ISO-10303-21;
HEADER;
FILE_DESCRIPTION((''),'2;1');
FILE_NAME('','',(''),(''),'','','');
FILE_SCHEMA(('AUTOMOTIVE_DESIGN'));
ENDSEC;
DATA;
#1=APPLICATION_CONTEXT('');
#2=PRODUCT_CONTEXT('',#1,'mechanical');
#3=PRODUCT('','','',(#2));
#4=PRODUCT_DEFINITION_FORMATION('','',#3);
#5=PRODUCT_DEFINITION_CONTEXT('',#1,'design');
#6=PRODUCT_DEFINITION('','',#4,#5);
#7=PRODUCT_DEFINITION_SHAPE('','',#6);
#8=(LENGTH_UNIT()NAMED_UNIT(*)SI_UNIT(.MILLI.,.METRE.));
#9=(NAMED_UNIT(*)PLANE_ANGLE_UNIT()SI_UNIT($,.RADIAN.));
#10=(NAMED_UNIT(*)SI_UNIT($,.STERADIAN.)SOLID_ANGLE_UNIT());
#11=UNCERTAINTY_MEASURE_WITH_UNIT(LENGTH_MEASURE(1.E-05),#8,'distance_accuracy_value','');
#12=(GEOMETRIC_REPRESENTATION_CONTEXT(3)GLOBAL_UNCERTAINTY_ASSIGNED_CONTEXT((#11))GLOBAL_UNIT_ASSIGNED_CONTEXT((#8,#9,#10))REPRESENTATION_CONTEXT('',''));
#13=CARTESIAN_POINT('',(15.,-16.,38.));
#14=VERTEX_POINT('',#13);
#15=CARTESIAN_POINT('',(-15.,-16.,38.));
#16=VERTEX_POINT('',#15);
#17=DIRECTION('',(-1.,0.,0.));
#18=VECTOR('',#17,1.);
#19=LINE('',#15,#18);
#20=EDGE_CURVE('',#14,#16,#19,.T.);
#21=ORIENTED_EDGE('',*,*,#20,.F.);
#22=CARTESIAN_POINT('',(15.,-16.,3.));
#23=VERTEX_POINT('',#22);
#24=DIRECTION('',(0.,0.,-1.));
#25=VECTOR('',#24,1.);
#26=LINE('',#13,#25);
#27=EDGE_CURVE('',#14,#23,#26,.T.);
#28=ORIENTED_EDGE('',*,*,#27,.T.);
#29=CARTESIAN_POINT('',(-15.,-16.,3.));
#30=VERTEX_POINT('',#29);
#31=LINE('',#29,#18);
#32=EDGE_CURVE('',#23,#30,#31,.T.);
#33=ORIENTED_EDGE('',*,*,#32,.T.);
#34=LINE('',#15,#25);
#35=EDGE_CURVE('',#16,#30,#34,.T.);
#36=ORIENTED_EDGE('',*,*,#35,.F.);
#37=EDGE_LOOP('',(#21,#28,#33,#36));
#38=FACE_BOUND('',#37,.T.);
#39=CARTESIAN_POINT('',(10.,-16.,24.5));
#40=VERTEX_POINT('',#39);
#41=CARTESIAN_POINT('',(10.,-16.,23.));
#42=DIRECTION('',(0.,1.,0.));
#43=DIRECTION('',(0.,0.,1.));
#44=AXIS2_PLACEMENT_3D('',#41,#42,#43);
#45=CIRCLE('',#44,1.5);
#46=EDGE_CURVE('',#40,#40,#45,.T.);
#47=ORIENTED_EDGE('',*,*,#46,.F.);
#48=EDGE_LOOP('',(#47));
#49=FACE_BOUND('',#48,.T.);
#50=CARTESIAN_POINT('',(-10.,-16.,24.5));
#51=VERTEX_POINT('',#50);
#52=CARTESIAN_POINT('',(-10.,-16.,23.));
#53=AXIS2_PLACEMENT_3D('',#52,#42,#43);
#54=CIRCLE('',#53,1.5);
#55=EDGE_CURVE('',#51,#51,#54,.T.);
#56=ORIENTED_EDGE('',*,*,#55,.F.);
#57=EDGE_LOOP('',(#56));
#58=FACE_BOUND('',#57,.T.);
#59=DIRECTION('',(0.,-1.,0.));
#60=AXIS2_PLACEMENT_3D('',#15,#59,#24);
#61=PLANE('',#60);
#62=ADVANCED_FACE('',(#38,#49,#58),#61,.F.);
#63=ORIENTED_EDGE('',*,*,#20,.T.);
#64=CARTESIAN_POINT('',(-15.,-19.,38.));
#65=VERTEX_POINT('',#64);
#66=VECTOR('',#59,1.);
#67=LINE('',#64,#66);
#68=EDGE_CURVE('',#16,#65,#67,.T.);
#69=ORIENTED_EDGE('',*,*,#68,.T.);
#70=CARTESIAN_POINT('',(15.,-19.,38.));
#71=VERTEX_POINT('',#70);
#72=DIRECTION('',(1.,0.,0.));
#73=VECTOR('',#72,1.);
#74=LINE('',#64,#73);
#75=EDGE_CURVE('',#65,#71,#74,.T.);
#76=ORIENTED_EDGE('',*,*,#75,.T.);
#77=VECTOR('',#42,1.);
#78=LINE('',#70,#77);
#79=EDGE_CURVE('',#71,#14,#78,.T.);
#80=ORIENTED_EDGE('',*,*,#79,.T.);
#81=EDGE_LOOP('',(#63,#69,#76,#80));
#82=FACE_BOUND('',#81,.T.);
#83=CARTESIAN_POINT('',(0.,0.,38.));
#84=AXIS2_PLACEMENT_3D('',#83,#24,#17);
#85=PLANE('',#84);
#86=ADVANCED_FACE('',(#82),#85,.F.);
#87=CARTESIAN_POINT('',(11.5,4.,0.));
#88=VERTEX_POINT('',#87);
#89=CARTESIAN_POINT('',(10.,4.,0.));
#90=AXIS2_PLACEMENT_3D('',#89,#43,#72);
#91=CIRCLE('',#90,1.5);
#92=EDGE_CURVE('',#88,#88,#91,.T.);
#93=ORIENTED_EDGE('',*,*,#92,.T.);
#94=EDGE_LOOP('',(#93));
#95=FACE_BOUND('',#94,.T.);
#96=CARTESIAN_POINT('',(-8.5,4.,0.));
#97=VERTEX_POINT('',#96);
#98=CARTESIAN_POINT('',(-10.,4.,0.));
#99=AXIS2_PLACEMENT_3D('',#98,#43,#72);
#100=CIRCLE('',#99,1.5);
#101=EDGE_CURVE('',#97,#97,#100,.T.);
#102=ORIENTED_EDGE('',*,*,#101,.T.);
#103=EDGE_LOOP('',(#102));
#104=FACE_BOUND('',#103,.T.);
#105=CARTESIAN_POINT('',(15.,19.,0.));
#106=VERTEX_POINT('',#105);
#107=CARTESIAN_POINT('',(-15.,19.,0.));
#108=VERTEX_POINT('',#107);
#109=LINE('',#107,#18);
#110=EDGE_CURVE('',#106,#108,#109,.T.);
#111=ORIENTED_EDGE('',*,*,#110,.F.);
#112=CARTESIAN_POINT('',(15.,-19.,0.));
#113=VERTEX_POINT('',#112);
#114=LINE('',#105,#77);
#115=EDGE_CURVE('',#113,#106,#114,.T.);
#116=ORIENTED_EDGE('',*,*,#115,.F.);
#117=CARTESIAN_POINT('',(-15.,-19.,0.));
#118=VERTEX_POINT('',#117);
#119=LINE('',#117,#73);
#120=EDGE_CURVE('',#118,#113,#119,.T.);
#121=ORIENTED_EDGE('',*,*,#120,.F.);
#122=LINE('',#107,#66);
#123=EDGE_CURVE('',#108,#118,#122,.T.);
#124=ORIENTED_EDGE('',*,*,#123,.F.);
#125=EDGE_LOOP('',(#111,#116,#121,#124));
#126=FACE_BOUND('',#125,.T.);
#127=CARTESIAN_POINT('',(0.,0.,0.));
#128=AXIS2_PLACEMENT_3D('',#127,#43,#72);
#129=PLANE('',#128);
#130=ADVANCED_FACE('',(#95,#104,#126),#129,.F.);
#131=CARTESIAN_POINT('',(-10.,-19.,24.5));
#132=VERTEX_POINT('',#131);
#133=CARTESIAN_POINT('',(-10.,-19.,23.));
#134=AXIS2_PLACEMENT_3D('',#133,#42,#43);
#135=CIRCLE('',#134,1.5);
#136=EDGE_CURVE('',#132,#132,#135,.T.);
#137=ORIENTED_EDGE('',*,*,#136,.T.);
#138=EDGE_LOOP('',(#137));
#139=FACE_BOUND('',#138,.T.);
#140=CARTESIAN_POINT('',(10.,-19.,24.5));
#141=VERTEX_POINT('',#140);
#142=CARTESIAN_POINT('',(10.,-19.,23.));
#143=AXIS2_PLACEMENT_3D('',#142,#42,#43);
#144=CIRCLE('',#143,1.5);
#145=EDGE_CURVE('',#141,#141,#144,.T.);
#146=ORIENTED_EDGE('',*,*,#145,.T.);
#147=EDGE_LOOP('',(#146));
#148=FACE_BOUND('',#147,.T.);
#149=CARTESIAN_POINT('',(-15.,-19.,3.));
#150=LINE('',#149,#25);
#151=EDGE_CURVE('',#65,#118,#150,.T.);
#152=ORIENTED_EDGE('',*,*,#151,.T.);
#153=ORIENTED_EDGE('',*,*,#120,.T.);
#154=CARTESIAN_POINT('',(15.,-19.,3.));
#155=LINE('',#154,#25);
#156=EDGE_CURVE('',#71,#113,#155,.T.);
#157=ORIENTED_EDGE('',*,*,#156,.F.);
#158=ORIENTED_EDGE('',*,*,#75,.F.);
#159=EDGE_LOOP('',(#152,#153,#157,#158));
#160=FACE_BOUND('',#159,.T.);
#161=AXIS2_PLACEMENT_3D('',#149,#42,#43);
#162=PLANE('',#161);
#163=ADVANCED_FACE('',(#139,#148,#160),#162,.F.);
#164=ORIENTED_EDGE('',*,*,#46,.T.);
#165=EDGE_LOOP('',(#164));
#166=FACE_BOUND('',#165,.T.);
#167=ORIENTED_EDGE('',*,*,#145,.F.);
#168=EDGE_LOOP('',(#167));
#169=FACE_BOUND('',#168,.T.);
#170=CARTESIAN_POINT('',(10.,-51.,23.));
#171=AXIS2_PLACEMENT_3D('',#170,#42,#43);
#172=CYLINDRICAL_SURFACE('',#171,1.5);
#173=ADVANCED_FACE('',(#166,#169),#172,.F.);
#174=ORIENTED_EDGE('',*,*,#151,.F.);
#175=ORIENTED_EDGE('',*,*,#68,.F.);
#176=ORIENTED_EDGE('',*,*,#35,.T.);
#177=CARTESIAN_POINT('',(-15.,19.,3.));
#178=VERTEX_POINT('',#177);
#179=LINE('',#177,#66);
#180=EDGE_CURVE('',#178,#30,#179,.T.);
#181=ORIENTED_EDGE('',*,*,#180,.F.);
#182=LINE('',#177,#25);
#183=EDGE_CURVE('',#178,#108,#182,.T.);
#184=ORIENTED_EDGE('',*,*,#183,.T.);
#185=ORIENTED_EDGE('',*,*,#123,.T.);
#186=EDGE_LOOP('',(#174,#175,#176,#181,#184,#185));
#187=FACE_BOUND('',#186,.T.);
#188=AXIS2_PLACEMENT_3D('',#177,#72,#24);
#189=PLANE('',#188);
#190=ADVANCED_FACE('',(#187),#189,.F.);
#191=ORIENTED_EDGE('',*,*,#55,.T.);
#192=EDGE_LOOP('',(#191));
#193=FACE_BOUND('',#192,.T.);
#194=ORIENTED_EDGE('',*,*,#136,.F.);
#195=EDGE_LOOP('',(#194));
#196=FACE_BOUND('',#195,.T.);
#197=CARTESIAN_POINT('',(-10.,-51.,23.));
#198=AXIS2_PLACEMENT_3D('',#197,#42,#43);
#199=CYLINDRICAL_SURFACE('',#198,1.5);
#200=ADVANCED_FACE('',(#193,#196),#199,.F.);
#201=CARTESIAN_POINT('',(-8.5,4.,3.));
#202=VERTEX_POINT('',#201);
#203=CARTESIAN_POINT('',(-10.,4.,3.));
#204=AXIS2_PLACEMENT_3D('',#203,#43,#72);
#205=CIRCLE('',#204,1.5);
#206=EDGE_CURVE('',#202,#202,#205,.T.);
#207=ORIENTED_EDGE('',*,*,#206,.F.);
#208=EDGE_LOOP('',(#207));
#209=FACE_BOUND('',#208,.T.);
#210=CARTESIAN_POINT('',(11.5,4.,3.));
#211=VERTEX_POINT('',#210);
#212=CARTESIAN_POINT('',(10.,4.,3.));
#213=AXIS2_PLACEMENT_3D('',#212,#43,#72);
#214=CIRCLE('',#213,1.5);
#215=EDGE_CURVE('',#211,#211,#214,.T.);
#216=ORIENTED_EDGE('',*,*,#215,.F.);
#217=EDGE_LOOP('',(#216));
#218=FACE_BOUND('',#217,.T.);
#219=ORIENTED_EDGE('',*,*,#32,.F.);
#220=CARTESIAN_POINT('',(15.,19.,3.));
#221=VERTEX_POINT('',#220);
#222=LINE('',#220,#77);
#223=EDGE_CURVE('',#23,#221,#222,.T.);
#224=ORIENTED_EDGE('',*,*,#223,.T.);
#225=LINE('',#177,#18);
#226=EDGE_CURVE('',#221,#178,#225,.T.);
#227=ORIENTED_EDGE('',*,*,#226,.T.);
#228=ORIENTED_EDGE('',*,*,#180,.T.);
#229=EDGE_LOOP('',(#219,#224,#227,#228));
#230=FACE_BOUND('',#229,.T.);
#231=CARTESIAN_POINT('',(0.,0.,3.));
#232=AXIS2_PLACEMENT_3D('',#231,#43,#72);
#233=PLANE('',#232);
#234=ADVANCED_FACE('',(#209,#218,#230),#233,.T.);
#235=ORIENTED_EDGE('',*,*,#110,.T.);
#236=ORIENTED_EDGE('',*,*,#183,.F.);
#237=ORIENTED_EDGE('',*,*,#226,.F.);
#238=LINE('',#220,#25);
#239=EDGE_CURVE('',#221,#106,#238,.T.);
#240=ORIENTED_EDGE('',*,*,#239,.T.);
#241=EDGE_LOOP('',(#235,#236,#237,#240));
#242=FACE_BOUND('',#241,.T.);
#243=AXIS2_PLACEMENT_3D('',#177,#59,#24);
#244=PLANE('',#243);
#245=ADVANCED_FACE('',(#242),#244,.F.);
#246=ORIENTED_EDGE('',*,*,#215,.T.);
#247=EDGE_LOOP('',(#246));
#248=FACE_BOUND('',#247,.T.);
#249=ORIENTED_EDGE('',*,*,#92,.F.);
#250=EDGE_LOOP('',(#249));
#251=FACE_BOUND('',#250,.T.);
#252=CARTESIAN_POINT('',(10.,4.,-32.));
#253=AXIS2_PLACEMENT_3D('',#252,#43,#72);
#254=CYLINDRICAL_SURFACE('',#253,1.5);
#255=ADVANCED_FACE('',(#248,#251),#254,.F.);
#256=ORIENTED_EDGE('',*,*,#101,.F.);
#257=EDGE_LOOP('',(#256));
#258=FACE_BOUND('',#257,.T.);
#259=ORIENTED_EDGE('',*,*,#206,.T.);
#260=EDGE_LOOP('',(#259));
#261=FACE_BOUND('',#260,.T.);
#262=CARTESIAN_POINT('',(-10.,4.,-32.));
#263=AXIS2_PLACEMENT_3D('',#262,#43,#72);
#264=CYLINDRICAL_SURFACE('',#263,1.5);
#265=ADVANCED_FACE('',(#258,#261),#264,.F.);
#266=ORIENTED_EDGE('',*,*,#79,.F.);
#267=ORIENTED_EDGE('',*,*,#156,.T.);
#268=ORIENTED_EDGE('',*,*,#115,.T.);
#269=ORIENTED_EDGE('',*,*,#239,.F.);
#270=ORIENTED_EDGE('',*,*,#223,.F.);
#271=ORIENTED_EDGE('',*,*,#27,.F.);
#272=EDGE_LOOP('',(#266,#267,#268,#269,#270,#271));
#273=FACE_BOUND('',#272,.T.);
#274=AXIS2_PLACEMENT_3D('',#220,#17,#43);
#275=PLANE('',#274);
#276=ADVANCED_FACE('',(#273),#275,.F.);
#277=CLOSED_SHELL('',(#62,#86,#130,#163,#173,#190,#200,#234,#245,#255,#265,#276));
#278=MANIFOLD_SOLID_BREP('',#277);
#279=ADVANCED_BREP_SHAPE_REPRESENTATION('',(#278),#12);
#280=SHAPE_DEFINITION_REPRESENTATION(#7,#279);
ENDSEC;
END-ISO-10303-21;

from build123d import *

# Parameters (mm, degrees)
SKETCH_1_W          = 30
SKETCH_1_H          = 38
EXTRUDE_1_DEPTH     = 3
SKETCH_2_W          = 30
SKETCH_2_H          = 3
EXTRUDE_2_DEPTH     = 35
SKETCH_3_R          = 1.5
CUT_EXTRUDE_1_DEPTH = 35
SKETCH_4_R          = 1.5
CUT_EXTRUDE_2_DEPTH = 35


with BuildPart() as part:
    # 草图1 → 凸台-拉伸1 (new body)
    with BuildSketch(Plane.XY):
        Rectangle(SKETCH_1_W, SKETCH_1_H)
    extrude(amount=EXTRUDE_1_DEPTH)

    # 草图2 → 凸台-拉伸2 (add)
    with BuildSketch(Plane.XY.offset(3)):
        with Locations((0, -17.5)):
            Rectangle(SKETCH_2_W, SKETCH_2_H)
    extrude(amount=EXTRUDE_2_DEPTH)

    # 草图3 → 切除-拉伸1 (cut)
    with BuildSketch(Plane.XY.offset(3)):
        with Locations((-10, 4)):
            Circle(SKETCH_3_R)
        with Locations((10, 4)):
            Circle(SKETCH_3_R)
    extrude(amount=-CUT_EXTRUDE_1_DEPTH, mode=Mode.SUBTRACT)

    # 草图4 → 切除-拉伸2 (cut)
    with BuildSketch(Plane(origin=(0, -16, 0), x_dir=(1, 0, 0), z_dir=(0, 1, 0))):
        with Locations(Location((-10, -23, 0), (0, 0, 270))):
            Circle(SKETCH_4_R)
        with Locations(Location((10, -23, 0), (0, 0, 270))):
            Circle(SKETCH_4_R)
    extrude(amount=-CUT_EXTRUDE_2_DEPTH, mode=Mode.SUBTRACT)


solid = part.part
